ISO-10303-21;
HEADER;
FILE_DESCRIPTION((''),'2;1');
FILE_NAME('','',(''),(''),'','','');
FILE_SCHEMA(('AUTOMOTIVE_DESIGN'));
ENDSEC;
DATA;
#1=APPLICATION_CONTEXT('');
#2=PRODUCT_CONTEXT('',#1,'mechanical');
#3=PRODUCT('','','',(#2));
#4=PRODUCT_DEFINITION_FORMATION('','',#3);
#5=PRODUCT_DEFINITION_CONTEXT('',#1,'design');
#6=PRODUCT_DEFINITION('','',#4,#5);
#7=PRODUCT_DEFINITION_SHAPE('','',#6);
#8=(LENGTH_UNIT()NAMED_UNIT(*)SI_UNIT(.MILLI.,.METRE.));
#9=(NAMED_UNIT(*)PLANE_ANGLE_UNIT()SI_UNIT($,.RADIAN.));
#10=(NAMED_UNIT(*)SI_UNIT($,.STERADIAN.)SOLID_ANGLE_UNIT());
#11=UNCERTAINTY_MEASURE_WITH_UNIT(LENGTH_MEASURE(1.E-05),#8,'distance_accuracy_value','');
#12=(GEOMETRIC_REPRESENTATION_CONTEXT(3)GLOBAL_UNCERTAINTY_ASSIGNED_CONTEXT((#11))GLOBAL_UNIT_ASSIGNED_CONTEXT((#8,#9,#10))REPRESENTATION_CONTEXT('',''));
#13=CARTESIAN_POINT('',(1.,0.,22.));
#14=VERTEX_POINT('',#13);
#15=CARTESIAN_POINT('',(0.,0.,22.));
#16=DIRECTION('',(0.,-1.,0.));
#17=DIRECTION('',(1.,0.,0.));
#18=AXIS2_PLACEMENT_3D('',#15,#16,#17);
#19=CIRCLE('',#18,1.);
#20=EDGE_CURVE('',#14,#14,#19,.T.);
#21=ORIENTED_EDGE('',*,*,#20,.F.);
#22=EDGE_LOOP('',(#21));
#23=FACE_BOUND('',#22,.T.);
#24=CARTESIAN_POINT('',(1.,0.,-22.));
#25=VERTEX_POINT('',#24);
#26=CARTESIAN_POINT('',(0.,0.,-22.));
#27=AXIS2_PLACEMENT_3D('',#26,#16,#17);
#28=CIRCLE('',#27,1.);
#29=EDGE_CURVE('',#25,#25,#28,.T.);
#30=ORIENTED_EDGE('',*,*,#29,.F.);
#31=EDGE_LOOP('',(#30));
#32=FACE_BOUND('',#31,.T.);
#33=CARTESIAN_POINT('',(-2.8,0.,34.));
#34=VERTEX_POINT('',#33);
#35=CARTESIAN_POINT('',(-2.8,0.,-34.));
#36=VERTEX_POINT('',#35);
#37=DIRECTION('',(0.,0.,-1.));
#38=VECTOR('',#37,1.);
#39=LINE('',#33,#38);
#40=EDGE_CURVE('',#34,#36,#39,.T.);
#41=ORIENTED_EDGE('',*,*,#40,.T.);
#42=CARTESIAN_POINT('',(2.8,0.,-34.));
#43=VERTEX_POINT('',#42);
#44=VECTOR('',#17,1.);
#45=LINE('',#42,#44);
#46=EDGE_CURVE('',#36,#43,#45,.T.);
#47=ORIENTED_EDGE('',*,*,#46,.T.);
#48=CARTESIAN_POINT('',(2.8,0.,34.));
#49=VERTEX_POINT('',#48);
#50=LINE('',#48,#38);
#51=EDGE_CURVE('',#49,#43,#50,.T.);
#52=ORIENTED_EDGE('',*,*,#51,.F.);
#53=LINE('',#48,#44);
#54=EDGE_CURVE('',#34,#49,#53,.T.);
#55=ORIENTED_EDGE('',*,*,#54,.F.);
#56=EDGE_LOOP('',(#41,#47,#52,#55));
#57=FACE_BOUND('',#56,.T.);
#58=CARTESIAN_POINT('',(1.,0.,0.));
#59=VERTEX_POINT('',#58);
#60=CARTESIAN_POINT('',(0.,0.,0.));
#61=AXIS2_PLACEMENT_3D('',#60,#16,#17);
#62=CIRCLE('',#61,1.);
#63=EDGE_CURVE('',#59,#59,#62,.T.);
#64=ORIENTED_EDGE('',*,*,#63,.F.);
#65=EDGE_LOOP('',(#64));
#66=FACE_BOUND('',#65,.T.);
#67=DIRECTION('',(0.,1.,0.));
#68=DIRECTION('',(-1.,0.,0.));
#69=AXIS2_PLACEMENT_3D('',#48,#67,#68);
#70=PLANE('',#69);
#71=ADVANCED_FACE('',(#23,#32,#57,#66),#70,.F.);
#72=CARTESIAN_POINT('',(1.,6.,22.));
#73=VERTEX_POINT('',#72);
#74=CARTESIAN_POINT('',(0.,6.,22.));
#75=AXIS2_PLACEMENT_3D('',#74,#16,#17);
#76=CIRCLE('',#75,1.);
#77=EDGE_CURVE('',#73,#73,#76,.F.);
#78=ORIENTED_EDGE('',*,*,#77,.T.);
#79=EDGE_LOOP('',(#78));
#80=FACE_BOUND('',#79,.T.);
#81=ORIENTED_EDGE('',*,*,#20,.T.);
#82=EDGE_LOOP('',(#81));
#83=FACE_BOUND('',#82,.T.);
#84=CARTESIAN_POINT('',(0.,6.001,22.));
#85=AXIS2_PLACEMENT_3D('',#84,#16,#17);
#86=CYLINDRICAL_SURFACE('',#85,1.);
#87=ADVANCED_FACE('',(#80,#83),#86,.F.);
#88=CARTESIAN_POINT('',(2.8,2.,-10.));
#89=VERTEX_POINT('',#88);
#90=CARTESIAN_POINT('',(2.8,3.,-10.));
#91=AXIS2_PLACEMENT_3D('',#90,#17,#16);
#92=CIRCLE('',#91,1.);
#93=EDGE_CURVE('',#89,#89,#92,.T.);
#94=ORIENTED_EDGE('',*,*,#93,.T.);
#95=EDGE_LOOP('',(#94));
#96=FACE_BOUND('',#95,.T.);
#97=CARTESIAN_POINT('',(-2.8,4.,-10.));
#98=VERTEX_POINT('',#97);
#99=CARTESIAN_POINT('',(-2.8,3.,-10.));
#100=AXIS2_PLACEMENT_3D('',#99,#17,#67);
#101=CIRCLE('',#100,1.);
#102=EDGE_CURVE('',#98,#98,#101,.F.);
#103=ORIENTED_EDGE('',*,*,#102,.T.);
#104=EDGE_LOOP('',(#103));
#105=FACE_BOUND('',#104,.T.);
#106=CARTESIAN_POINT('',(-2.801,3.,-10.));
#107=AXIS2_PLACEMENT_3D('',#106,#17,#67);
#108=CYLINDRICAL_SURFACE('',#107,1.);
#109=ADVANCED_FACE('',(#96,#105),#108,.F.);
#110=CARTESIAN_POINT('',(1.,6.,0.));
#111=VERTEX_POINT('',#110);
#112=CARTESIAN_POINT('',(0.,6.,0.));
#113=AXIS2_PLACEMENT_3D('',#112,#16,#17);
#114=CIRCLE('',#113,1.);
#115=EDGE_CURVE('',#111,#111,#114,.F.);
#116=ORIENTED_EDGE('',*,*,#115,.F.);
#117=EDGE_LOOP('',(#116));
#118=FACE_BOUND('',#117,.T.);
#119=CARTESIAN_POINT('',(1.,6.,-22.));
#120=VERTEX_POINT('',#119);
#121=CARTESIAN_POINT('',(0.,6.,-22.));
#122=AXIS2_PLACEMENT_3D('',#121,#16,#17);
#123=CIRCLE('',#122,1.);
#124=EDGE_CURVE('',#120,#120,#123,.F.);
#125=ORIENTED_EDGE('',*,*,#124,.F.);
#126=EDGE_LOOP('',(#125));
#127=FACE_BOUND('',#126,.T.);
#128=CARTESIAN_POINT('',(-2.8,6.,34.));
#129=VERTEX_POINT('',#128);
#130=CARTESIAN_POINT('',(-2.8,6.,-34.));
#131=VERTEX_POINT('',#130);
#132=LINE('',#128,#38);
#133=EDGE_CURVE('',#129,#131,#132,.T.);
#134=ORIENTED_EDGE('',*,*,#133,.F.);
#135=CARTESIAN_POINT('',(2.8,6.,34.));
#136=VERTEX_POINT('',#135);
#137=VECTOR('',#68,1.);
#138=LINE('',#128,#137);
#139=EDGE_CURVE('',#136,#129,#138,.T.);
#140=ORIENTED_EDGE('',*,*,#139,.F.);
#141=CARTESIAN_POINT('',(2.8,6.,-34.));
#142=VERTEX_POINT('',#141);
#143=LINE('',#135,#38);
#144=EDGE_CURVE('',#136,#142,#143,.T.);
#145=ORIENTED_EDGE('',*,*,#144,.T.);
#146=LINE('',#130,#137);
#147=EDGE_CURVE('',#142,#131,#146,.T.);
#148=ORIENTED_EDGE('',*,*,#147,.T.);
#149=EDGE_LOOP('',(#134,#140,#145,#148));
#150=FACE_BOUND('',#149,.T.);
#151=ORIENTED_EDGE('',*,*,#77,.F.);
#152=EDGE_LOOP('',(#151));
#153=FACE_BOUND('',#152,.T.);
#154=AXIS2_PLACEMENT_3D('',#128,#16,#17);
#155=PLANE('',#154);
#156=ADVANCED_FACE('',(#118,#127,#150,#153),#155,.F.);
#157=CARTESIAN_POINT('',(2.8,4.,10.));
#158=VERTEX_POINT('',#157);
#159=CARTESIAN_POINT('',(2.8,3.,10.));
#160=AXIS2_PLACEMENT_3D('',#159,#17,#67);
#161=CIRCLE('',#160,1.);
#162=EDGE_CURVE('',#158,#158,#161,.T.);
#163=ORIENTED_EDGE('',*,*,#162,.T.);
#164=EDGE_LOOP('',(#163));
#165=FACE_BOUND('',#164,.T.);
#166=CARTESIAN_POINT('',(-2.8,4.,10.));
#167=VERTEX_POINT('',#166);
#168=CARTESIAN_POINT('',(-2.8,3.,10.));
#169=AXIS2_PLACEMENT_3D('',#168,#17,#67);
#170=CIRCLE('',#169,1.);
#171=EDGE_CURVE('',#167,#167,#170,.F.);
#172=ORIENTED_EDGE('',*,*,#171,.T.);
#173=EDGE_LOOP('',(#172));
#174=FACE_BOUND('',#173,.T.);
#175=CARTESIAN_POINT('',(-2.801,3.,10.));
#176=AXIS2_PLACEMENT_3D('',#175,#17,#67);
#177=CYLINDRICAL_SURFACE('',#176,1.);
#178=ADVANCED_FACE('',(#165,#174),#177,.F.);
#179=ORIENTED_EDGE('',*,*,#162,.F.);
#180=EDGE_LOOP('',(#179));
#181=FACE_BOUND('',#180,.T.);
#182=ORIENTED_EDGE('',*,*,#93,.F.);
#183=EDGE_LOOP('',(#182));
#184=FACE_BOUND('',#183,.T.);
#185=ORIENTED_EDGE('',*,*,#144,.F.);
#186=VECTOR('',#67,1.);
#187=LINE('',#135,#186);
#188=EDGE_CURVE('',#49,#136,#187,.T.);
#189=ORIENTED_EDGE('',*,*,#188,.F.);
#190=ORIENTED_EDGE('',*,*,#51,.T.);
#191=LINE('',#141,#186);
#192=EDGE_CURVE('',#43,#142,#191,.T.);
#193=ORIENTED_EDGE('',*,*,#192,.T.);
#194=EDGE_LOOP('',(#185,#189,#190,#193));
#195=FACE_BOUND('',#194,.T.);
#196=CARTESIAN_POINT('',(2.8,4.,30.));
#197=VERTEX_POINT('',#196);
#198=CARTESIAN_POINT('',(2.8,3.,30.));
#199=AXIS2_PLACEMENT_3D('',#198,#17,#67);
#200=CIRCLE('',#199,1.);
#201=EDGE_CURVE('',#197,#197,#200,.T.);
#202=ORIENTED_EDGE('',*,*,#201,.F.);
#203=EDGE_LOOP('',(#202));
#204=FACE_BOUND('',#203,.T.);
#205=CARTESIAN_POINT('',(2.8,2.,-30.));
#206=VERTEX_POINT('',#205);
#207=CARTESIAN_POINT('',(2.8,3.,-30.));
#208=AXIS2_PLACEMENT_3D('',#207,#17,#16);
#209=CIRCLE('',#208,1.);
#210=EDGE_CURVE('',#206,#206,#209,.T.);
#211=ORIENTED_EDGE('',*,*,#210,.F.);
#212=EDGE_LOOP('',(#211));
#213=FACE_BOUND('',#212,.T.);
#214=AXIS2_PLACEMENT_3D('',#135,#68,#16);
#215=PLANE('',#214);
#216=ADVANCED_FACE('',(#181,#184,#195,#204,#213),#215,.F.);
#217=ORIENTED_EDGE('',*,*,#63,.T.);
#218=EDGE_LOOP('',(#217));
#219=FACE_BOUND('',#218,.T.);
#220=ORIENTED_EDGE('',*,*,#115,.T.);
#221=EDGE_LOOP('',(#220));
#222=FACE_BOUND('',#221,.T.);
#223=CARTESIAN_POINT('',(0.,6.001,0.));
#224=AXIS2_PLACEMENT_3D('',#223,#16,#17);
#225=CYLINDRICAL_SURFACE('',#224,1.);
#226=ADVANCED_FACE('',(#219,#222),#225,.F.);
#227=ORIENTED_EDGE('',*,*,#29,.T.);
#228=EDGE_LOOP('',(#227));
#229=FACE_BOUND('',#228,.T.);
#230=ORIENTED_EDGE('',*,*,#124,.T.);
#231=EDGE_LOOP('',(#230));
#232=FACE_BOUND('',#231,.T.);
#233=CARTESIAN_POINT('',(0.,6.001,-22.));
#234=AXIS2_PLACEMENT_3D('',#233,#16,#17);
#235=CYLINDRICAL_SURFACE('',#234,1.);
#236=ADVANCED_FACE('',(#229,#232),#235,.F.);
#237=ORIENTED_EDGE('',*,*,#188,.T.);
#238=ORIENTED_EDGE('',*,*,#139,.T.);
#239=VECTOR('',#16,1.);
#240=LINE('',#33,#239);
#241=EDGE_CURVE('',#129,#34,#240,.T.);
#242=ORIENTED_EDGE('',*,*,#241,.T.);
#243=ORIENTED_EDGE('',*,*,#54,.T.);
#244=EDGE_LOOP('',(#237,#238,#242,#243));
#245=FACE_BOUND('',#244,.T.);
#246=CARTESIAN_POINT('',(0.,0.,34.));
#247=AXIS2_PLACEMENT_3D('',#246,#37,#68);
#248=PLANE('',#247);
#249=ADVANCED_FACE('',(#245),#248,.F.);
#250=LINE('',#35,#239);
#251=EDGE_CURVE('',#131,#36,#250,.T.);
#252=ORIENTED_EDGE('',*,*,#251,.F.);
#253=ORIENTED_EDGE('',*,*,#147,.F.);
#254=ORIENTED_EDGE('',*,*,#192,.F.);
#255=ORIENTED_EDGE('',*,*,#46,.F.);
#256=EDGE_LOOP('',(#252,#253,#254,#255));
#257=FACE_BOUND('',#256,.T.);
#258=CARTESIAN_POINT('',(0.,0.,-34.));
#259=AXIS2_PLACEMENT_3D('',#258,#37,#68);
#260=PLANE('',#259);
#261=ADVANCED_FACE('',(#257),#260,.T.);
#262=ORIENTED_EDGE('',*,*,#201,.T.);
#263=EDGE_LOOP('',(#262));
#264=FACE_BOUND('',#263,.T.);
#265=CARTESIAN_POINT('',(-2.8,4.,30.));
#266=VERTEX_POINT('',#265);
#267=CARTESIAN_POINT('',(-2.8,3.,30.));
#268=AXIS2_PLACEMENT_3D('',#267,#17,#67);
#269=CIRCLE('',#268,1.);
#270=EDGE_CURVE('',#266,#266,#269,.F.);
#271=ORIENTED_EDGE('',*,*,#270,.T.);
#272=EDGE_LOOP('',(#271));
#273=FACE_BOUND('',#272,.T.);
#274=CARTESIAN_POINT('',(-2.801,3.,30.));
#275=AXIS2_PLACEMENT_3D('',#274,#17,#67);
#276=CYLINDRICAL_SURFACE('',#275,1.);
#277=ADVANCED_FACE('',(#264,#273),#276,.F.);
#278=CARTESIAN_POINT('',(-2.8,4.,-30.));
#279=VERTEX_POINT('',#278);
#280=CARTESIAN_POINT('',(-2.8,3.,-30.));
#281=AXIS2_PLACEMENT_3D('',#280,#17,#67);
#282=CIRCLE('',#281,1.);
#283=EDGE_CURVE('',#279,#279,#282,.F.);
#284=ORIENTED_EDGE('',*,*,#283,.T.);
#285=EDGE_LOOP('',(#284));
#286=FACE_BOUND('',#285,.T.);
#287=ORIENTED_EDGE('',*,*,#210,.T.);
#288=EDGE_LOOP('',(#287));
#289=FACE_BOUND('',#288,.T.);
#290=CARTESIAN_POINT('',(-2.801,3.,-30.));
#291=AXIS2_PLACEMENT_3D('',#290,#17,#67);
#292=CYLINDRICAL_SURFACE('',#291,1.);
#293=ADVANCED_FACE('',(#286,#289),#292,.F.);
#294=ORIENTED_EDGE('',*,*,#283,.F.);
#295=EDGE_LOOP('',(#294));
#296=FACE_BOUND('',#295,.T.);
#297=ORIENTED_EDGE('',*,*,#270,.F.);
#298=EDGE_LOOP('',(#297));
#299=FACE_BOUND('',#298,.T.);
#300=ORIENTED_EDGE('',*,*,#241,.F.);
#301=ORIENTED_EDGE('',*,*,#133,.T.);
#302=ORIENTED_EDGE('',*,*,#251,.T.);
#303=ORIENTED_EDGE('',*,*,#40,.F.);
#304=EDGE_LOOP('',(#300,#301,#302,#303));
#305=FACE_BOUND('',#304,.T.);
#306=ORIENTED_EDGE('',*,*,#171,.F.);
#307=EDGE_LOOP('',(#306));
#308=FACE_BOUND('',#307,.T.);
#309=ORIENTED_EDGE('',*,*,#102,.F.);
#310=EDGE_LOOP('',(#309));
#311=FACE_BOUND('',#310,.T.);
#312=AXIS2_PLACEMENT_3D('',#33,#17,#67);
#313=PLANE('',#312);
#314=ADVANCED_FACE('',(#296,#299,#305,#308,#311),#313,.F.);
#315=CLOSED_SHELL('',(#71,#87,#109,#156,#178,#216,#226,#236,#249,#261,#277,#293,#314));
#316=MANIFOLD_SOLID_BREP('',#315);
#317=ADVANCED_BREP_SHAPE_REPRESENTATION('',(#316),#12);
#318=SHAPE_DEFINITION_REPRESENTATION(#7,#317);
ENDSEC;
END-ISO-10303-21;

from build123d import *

# Parameters (mm, degrees)
SKETCH_1_W          = 5.6
SKETCH_1_H          = 6
EXTRUDE_1_DEPTH     = 34
CUT_EXTRUDE_3_REACH = 36.639
SKETCH_4_R          = 1
CUT_EXTRUDE_4_REACH = 36.977
SKETCH_5_R          = 1


with BuildPart() as part:
    # 草图1 → 凸台-拉伸1 (new, symmetric)
    with BuildSketch(Plane.XY):
        with Locations((0, 3)):
            Rectangle(SKETCH_1_W, SKETCH_1_H)
    extrude(amount=EXTRUDE_1_DEPTH, both=True)

    # 草图4 → 切除-拉伸3 (cut, up to next)
    with BuildSketch(Plane.XZ, mode=Mode.PRIVATE) as cut_extrude_3_sk1:
        Circle(SKETCH_4_R)
    cut_extrude_3_tool1 = extrude(cut_extrude_3_sk1.sketch, amount=-CUT_EXTRUDE_3_REACH, mode=Mode.PRIVATE) & part.part
    # 草图4 → 切除-拉伸3 (cut, up to next)
    with BuildSketch(Plane.XZ, mode=Mode.PRIVATE) as cut_extrude_3_sk2:
        with Locations((0, 22)):
            Circle(SKETCH_4_R)
    cut_extrude_3_tool2 = extrude(cut_extrude_3_sk2.sketch, amount=-CUT_EXTRUDE_3_REACH, mode=Mode.PRIVATE) & part.part
    # 草图4 → 切除-拉伸3 (cut, up to next)
    with BuildSketch(Plane.XZ, mode=Mode.PRIVATE) as cut_extrude_3_sk3:
        with Locations((0, -22)):
            Circle(SKETCH_4_R)
    cut_extrude_3_tool3 = extrude(cut_extrude_3_sk3.sketch, amount=-CUT_EXTRUDE_3_REACH, mode=Mode.PRIVATE) & part.part
    add(cut_extrude_3_tool1.solids().sort_by_distance((0, 0, 0))[0], mode=Mode.SUBTRACT)
    add(cut_extrude_3_tool2.solids().sort_by_distance((0, 0, 22))[0], mode=Mode.SUBTRACT)
    add(cut_extrude_3_tool3.solids().sort_by_distance((0, 0, -22))[0], mode=Mode.SUBTRACT)

    # 草图5 → 切除-拉伸4 (cut, up to next)
    with BuildSketch(Plane(origin=(2.8, 0, 0), x_dir=(0, 0, -1), z_dir=(1, 0, 0)), mode=Mode.PRIVATE) as cut_extrude_4_sk1:
        with Locations(Location((-30, 3, 0), (0, 0, 90))):
            Circle(SKETCH_5_R)
    cut_extrude_4_tool1 = extrude(cut_extrude_4_sk1.sketch, amount=-CUT_EXTRUDE_4_REACH, mode=Mode.PRIVATE) & part.part
    # 草图5 → 切除-拉伸4 (cut, up to next)
    with BuildSketch(Plane(origin=(2.8, 0, 0), x_dir=(0, 0, -1), z_dir=(1, 0, 0)), mode=Mode.PRIVATE) as cut_extrude_4_sk2:
        with Locations(Location((-10, 3, 0), (0, 0, 90))):
            Circle(SKETCH_5_R)
    cut_extrude_4_tool2 = extrude(cut_extrude_4_sk2.sketch, amount=-CUT_EXTRUDE_4_REACH, mode=Mode.PRIVATE) & part.part
    # 草图5 → 切除-拉伸4 (cut, up to next)
    with BuildSketch(Plane(origin=(2.8, 0, 0), x_dir=(0, 0, -1), z_dir=(1, 0, 0)), mode=Mode.PRIVATE) as cut_extrude_4_sk3:
        with Locations(Location((10, 3, 0), (0, 0, 90))):
            Circle(SKETCH_5_R)
    cut_extrude_4_tool3 = extrude(cut_extrude_4_sk3.sketch, amount=-CUT_EXTRUDE_4_REACH, mode=Mode.PRIVATE) & part.part
    # 草图5 → 切除-拉伸4 (cut, up to next)
    with BuildSketch(Plane(origin=(2.8, 0, 0), x_dir=(0, 0, -1), z_dir=(1, 0, 0)), mode=Mode.PRIVATE) as cut_extrude_4_sk4:
        with Locations(Location((30, 3, 0), (0, 0, 90))):
            Circle(SKETCH_5_R)
    cut_extrude_4_tool4 = extrude(cut_extrude_4_sk4.sketch, amount=-CUT_EXTRUDE_4_REACH, mode=Mode.PRIVATE) & part.part
    add(cut_extrude_4_tool1.solids().sort_by_distance((2.8, 3, 30))[0], mode=Mode.SUBTRACT)
    add(cut_extrude_4_tool2.solids().sort_by_distance((2.8, 3, 10))[0], mode=Mode.SUBTRACT)
    add(cut_extrude_4_tool3.solids().sort_by_distance((2.8, 3, -10))[0], mode=Mode.SUBTRACT)
    add(cut_extrude_4_tool4.solids().sort_by_distance((2.8, 3, -30))[0], mode=Mode.SUBTRACT)


solid = part.part
